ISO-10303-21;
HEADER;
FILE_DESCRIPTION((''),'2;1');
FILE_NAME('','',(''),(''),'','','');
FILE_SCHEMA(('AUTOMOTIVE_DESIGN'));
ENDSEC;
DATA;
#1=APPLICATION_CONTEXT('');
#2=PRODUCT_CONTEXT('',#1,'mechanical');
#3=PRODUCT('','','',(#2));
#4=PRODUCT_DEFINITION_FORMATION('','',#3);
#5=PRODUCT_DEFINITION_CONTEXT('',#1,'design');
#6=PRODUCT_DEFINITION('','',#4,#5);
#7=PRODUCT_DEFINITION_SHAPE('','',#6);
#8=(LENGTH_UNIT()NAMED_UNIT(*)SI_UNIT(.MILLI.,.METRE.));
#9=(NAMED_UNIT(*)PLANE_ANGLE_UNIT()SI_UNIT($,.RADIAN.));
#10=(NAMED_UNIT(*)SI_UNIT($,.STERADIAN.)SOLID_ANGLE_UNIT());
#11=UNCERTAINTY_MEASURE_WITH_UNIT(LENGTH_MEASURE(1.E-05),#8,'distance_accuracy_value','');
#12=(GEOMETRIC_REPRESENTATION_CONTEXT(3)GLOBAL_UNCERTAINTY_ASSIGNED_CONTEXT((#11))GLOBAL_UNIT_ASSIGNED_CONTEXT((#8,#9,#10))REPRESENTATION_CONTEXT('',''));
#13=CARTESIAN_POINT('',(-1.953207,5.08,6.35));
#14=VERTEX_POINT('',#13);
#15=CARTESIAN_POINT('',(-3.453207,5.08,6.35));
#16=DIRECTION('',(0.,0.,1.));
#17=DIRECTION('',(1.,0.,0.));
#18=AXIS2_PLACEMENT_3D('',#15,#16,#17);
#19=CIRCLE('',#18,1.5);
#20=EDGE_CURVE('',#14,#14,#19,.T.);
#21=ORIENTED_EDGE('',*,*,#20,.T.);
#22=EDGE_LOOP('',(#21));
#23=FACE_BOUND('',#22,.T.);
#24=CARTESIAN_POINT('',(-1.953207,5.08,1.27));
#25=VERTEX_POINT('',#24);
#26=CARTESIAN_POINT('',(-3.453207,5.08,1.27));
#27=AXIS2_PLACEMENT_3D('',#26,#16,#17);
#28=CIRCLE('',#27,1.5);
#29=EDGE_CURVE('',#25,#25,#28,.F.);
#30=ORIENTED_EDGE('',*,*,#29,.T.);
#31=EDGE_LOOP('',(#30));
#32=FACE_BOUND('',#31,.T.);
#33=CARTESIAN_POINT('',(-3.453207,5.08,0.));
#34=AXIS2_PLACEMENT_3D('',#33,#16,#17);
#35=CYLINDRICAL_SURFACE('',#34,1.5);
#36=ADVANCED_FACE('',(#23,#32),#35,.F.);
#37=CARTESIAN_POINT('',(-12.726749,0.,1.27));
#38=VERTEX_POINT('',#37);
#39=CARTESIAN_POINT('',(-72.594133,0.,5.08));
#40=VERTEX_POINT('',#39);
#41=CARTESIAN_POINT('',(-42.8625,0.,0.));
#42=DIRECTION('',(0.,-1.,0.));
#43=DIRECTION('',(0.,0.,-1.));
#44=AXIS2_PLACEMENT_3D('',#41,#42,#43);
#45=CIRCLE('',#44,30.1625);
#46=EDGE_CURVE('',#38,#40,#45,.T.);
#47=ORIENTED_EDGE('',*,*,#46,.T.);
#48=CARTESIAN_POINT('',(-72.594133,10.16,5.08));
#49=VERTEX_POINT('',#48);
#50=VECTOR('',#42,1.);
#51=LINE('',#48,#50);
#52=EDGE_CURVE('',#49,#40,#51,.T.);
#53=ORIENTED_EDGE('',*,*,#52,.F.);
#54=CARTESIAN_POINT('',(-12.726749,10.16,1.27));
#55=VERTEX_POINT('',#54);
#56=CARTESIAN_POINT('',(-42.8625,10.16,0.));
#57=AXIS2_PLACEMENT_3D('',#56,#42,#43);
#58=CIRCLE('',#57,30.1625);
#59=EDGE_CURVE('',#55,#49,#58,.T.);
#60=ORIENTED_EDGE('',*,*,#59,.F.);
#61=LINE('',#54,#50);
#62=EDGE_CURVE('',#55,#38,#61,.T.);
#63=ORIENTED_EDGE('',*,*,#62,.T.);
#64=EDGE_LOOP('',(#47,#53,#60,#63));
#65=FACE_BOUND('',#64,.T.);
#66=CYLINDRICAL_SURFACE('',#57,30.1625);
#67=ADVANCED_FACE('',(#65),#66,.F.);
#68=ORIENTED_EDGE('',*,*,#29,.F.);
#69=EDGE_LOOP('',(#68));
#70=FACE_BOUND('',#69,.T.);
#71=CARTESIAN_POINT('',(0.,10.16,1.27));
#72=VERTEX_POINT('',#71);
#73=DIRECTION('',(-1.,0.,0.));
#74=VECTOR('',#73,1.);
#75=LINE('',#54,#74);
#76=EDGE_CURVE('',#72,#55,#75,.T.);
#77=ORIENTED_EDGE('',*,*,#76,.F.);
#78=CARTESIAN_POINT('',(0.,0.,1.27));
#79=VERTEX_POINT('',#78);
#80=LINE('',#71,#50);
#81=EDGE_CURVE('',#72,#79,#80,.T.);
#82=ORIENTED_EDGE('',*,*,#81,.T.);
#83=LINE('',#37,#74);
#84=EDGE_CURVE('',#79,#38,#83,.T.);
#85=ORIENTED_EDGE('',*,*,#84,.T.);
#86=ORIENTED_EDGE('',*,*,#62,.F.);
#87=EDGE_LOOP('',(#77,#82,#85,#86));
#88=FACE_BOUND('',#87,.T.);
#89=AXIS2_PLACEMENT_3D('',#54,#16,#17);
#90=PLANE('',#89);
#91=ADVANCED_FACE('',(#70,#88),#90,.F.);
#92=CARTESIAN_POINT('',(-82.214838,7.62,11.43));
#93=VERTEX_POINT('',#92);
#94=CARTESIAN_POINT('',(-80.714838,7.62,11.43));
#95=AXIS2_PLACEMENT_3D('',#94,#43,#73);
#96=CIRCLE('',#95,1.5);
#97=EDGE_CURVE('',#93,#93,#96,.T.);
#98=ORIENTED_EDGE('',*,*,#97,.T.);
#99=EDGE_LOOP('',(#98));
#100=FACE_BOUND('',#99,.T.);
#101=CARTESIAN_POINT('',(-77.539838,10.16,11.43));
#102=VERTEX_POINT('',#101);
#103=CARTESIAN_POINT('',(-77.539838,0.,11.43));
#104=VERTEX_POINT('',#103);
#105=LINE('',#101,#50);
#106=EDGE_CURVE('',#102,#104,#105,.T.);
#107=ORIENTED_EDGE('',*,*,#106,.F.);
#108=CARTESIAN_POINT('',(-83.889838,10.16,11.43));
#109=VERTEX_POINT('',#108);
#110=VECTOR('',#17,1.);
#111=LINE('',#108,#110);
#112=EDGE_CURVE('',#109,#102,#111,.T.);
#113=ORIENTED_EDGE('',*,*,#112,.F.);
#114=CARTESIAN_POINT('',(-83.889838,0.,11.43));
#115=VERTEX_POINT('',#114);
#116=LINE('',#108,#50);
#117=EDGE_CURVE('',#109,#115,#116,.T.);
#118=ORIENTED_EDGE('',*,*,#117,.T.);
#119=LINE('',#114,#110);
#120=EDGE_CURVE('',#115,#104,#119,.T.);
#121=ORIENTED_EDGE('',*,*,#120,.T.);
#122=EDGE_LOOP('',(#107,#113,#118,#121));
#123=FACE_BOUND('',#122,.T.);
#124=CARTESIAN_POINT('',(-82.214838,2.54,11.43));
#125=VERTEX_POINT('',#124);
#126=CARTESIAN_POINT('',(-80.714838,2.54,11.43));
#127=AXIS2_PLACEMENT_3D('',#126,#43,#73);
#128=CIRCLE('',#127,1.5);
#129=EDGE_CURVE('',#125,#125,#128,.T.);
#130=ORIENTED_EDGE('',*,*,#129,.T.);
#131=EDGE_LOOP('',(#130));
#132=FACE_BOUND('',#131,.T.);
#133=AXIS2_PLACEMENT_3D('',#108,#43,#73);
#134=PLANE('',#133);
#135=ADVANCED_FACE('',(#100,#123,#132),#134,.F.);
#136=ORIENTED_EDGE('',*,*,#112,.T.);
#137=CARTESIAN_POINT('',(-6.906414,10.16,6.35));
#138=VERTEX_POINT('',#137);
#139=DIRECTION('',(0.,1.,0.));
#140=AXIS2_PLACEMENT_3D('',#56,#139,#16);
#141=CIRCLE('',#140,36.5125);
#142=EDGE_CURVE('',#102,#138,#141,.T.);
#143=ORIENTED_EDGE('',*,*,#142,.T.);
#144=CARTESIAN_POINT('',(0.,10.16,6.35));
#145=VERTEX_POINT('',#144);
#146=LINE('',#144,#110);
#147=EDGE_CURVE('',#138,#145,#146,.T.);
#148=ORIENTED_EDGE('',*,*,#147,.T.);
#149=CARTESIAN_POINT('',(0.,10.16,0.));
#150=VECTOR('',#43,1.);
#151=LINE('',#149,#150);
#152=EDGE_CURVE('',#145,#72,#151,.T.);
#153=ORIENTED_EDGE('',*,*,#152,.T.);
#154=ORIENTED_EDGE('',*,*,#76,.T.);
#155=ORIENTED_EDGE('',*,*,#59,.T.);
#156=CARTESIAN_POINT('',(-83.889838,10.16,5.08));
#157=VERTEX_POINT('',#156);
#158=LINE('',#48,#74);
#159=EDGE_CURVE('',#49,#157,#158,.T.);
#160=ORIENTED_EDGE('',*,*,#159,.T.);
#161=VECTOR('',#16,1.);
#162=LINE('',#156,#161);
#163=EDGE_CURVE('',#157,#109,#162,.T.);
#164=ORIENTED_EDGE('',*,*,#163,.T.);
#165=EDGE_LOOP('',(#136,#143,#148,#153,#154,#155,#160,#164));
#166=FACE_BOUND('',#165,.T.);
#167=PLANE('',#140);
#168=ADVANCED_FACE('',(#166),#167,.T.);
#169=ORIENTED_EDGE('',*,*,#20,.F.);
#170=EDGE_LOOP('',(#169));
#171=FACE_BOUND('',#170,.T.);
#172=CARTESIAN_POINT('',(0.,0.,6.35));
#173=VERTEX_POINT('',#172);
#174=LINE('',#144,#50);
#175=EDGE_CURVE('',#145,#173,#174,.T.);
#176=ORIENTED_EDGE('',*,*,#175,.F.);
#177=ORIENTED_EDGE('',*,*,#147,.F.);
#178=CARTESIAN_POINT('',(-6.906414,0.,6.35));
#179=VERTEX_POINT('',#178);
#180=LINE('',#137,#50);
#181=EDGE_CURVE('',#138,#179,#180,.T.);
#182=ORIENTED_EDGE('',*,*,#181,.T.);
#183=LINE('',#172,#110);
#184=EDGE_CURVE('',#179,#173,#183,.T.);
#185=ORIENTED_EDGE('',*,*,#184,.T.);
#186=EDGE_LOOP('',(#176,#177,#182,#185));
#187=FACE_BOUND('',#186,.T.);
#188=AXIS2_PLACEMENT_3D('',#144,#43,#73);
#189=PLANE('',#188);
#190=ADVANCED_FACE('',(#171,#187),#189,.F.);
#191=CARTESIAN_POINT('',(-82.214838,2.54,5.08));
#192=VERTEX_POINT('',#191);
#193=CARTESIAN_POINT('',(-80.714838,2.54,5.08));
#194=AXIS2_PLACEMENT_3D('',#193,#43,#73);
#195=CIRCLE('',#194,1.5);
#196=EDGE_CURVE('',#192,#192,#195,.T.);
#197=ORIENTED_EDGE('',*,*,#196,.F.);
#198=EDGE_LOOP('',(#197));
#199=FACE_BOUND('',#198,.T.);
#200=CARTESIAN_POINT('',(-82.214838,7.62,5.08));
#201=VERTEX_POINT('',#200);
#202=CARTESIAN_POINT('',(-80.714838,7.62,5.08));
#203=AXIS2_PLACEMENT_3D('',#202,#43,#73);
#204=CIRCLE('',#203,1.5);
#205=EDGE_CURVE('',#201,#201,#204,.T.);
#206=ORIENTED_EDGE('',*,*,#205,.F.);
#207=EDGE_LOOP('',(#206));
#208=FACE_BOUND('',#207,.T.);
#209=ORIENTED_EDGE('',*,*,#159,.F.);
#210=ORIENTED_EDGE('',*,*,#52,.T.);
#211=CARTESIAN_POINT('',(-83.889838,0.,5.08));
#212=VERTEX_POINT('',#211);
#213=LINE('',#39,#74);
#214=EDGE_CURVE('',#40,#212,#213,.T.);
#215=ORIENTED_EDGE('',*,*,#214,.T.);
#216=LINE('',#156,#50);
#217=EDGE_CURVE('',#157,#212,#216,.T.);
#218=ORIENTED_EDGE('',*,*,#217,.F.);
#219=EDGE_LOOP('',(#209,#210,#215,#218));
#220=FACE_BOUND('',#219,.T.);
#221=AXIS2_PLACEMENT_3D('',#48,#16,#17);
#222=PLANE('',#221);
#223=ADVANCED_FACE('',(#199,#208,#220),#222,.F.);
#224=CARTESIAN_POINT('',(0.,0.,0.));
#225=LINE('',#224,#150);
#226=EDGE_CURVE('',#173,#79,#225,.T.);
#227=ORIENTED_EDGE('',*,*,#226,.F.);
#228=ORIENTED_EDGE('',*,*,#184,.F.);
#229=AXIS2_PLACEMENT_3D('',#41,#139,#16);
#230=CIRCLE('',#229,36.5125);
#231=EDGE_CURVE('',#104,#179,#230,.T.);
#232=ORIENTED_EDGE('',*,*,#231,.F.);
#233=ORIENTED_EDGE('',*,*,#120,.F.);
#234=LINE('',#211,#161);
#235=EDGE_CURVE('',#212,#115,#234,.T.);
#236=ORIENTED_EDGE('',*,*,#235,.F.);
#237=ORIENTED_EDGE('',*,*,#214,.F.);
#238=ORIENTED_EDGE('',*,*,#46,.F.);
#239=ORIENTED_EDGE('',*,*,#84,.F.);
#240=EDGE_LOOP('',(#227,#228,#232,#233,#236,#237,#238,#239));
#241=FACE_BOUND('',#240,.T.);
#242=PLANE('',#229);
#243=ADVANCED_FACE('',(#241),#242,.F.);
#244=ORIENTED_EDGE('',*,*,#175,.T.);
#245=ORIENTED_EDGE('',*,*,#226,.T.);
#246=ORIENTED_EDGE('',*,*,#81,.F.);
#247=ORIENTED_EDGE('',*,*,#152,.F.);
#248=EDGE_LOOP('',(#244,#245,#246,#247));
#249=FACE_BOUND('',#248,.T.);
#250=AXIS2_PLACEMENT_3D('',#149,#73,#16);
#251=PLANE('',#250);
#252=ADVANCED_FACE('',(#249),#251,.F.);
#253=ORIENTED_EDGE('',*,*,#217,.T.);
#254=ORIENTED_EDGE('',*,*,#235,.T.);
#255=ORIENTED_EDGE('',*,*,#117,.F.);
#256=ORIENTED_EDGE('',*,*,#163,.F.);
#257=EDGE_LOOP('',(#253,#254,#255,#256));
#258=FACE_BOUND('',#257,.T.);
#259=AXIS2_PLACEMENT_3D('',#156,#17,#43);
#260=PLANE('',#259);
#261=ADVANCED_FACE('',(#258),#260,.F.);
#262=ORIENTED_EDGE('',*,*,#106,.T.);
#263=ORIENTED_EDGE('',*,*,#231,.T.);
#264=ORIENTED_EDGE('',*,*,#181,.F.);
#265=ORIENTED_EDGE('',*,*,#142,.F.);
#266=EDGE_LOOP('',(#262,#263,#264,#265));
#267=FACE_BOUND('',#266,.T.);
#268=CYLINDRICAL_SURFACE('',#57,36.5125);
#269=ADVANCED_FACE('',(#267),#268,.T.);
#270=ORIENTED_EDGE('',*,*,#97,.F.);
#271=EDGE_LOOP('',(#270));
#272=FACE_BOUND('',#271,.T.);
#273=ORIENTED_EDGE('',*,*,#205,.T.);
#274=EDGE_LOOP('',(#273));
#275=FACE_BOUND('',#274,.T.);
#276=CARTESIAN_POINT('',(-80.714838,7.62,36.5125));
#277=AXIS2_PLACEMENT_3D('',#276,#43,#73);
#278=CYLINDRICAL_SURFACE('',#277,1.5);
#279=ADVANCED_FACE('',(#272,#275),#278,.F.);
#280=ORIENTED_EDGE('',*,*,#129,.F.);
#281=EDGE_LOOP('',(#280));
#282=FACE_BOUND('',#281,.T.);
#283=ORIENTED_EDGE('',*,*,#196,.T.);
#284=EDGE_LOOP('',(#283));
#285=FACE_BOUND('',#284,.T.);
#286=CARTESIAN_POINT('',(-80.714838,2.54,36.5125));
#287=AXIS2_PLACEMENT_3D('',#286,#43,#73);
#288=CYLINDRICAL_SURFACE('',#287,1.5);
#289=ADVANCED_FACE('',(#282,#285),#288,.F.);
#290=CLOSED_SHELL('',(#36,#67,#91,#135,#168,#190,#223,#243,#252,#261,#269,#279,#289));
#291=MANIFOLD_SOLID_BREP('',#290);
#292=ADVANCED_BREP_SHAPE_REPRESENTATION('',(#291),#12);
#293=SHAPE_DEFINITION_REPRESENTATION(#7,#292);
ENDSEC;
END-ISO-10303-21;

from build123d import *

# Parameters (mm, degrees)
BOSS_EXTRUDE1_DEPTH = 10.16
SKETCH2_R           = 1.5
CUT_EXTRUDE1_DEPTH  = 32.4325
SKETCH3_R           = 1.5
CUT_EXTRUDE2_DEPTH  = 7.35
SKETCH4_W           = 12.726748703
SKETCH4_H           = 1.27
CUT_EXTRUDE3_DEPTH  = 11.16


with BuildPart() as part:
    # Sketch1 → Boss-Extrude1 (new body)
    with BuildSketch(Plane(origin=(0, 0, 0), x_dir=(1, 0, 0), z_dir=(0, 1, 0))):
        with BuildLine():
            Line((0, 0), (-12.7, 0))
            ThreePointArc((-12.7, 0), (-40.313380236, -30.054590243), (-72.594133091, -5.08))
            Line((-72.594133091, -5.08), (-83.889837791, -5.08))
            Line((-83.889837791, -5.08), (-83.889837791, -11.43))
            Line((-83.889837791, -11.43), (-77.539837791, -11.43))
            ThreePointArc((-77.539837791, -11.43), (-40.243263553, -36.418432925), (-6.906413502, -6.35))
            Line((-6.906413502, -6.35), (0, -6.35))
            Line((0, -6.35), (0, 0))
        make_face()
    extrude(amount=BOSS_EXTRUDE1_DEPTH)

    # Sketch2 → Cut-Extrude1 (cut, through all)
    with BuildSketch(Plane(origin=(0, 0, 5.08), x_dir=(-1, 0, 0), z_dir=(0, 0, -1))):
        with Locations((80.714837791, 7.62)):
            Circle(SKETCH2_R)
        with Locations((80.714837791, 2.54)):
            Circle(SKETCH2_R)
    extrude(amount=-CUT_EXTRUDE1_DEPTH, mode=Mode.SUBTRACT)

    # Sketch3 → Cut-Extrude2 (cut, through all)
    with BuildSketch(Plane.XY.offset(6.35)):
        with Locations((-3.453206751, 5.08)):
            Circle(SKETCH3_R)
    extrude(amount=-CUT_EXTRUDE2_DEPTH, mode=Mode.SUBTRACT)

    # Sketch4 → Cut-Extrude3 (cut, through all)
    with BuildSketch(Plane.XZ):
        with Locations((-6.363374352, 0.635)):
            Rectangle(SKETCH4_W, SKETCH4_H)
    extrude(amount=-CUT_EXTRUDE3_DEPTH, mode=Mode.SUBTRACT)


solid = part.part
